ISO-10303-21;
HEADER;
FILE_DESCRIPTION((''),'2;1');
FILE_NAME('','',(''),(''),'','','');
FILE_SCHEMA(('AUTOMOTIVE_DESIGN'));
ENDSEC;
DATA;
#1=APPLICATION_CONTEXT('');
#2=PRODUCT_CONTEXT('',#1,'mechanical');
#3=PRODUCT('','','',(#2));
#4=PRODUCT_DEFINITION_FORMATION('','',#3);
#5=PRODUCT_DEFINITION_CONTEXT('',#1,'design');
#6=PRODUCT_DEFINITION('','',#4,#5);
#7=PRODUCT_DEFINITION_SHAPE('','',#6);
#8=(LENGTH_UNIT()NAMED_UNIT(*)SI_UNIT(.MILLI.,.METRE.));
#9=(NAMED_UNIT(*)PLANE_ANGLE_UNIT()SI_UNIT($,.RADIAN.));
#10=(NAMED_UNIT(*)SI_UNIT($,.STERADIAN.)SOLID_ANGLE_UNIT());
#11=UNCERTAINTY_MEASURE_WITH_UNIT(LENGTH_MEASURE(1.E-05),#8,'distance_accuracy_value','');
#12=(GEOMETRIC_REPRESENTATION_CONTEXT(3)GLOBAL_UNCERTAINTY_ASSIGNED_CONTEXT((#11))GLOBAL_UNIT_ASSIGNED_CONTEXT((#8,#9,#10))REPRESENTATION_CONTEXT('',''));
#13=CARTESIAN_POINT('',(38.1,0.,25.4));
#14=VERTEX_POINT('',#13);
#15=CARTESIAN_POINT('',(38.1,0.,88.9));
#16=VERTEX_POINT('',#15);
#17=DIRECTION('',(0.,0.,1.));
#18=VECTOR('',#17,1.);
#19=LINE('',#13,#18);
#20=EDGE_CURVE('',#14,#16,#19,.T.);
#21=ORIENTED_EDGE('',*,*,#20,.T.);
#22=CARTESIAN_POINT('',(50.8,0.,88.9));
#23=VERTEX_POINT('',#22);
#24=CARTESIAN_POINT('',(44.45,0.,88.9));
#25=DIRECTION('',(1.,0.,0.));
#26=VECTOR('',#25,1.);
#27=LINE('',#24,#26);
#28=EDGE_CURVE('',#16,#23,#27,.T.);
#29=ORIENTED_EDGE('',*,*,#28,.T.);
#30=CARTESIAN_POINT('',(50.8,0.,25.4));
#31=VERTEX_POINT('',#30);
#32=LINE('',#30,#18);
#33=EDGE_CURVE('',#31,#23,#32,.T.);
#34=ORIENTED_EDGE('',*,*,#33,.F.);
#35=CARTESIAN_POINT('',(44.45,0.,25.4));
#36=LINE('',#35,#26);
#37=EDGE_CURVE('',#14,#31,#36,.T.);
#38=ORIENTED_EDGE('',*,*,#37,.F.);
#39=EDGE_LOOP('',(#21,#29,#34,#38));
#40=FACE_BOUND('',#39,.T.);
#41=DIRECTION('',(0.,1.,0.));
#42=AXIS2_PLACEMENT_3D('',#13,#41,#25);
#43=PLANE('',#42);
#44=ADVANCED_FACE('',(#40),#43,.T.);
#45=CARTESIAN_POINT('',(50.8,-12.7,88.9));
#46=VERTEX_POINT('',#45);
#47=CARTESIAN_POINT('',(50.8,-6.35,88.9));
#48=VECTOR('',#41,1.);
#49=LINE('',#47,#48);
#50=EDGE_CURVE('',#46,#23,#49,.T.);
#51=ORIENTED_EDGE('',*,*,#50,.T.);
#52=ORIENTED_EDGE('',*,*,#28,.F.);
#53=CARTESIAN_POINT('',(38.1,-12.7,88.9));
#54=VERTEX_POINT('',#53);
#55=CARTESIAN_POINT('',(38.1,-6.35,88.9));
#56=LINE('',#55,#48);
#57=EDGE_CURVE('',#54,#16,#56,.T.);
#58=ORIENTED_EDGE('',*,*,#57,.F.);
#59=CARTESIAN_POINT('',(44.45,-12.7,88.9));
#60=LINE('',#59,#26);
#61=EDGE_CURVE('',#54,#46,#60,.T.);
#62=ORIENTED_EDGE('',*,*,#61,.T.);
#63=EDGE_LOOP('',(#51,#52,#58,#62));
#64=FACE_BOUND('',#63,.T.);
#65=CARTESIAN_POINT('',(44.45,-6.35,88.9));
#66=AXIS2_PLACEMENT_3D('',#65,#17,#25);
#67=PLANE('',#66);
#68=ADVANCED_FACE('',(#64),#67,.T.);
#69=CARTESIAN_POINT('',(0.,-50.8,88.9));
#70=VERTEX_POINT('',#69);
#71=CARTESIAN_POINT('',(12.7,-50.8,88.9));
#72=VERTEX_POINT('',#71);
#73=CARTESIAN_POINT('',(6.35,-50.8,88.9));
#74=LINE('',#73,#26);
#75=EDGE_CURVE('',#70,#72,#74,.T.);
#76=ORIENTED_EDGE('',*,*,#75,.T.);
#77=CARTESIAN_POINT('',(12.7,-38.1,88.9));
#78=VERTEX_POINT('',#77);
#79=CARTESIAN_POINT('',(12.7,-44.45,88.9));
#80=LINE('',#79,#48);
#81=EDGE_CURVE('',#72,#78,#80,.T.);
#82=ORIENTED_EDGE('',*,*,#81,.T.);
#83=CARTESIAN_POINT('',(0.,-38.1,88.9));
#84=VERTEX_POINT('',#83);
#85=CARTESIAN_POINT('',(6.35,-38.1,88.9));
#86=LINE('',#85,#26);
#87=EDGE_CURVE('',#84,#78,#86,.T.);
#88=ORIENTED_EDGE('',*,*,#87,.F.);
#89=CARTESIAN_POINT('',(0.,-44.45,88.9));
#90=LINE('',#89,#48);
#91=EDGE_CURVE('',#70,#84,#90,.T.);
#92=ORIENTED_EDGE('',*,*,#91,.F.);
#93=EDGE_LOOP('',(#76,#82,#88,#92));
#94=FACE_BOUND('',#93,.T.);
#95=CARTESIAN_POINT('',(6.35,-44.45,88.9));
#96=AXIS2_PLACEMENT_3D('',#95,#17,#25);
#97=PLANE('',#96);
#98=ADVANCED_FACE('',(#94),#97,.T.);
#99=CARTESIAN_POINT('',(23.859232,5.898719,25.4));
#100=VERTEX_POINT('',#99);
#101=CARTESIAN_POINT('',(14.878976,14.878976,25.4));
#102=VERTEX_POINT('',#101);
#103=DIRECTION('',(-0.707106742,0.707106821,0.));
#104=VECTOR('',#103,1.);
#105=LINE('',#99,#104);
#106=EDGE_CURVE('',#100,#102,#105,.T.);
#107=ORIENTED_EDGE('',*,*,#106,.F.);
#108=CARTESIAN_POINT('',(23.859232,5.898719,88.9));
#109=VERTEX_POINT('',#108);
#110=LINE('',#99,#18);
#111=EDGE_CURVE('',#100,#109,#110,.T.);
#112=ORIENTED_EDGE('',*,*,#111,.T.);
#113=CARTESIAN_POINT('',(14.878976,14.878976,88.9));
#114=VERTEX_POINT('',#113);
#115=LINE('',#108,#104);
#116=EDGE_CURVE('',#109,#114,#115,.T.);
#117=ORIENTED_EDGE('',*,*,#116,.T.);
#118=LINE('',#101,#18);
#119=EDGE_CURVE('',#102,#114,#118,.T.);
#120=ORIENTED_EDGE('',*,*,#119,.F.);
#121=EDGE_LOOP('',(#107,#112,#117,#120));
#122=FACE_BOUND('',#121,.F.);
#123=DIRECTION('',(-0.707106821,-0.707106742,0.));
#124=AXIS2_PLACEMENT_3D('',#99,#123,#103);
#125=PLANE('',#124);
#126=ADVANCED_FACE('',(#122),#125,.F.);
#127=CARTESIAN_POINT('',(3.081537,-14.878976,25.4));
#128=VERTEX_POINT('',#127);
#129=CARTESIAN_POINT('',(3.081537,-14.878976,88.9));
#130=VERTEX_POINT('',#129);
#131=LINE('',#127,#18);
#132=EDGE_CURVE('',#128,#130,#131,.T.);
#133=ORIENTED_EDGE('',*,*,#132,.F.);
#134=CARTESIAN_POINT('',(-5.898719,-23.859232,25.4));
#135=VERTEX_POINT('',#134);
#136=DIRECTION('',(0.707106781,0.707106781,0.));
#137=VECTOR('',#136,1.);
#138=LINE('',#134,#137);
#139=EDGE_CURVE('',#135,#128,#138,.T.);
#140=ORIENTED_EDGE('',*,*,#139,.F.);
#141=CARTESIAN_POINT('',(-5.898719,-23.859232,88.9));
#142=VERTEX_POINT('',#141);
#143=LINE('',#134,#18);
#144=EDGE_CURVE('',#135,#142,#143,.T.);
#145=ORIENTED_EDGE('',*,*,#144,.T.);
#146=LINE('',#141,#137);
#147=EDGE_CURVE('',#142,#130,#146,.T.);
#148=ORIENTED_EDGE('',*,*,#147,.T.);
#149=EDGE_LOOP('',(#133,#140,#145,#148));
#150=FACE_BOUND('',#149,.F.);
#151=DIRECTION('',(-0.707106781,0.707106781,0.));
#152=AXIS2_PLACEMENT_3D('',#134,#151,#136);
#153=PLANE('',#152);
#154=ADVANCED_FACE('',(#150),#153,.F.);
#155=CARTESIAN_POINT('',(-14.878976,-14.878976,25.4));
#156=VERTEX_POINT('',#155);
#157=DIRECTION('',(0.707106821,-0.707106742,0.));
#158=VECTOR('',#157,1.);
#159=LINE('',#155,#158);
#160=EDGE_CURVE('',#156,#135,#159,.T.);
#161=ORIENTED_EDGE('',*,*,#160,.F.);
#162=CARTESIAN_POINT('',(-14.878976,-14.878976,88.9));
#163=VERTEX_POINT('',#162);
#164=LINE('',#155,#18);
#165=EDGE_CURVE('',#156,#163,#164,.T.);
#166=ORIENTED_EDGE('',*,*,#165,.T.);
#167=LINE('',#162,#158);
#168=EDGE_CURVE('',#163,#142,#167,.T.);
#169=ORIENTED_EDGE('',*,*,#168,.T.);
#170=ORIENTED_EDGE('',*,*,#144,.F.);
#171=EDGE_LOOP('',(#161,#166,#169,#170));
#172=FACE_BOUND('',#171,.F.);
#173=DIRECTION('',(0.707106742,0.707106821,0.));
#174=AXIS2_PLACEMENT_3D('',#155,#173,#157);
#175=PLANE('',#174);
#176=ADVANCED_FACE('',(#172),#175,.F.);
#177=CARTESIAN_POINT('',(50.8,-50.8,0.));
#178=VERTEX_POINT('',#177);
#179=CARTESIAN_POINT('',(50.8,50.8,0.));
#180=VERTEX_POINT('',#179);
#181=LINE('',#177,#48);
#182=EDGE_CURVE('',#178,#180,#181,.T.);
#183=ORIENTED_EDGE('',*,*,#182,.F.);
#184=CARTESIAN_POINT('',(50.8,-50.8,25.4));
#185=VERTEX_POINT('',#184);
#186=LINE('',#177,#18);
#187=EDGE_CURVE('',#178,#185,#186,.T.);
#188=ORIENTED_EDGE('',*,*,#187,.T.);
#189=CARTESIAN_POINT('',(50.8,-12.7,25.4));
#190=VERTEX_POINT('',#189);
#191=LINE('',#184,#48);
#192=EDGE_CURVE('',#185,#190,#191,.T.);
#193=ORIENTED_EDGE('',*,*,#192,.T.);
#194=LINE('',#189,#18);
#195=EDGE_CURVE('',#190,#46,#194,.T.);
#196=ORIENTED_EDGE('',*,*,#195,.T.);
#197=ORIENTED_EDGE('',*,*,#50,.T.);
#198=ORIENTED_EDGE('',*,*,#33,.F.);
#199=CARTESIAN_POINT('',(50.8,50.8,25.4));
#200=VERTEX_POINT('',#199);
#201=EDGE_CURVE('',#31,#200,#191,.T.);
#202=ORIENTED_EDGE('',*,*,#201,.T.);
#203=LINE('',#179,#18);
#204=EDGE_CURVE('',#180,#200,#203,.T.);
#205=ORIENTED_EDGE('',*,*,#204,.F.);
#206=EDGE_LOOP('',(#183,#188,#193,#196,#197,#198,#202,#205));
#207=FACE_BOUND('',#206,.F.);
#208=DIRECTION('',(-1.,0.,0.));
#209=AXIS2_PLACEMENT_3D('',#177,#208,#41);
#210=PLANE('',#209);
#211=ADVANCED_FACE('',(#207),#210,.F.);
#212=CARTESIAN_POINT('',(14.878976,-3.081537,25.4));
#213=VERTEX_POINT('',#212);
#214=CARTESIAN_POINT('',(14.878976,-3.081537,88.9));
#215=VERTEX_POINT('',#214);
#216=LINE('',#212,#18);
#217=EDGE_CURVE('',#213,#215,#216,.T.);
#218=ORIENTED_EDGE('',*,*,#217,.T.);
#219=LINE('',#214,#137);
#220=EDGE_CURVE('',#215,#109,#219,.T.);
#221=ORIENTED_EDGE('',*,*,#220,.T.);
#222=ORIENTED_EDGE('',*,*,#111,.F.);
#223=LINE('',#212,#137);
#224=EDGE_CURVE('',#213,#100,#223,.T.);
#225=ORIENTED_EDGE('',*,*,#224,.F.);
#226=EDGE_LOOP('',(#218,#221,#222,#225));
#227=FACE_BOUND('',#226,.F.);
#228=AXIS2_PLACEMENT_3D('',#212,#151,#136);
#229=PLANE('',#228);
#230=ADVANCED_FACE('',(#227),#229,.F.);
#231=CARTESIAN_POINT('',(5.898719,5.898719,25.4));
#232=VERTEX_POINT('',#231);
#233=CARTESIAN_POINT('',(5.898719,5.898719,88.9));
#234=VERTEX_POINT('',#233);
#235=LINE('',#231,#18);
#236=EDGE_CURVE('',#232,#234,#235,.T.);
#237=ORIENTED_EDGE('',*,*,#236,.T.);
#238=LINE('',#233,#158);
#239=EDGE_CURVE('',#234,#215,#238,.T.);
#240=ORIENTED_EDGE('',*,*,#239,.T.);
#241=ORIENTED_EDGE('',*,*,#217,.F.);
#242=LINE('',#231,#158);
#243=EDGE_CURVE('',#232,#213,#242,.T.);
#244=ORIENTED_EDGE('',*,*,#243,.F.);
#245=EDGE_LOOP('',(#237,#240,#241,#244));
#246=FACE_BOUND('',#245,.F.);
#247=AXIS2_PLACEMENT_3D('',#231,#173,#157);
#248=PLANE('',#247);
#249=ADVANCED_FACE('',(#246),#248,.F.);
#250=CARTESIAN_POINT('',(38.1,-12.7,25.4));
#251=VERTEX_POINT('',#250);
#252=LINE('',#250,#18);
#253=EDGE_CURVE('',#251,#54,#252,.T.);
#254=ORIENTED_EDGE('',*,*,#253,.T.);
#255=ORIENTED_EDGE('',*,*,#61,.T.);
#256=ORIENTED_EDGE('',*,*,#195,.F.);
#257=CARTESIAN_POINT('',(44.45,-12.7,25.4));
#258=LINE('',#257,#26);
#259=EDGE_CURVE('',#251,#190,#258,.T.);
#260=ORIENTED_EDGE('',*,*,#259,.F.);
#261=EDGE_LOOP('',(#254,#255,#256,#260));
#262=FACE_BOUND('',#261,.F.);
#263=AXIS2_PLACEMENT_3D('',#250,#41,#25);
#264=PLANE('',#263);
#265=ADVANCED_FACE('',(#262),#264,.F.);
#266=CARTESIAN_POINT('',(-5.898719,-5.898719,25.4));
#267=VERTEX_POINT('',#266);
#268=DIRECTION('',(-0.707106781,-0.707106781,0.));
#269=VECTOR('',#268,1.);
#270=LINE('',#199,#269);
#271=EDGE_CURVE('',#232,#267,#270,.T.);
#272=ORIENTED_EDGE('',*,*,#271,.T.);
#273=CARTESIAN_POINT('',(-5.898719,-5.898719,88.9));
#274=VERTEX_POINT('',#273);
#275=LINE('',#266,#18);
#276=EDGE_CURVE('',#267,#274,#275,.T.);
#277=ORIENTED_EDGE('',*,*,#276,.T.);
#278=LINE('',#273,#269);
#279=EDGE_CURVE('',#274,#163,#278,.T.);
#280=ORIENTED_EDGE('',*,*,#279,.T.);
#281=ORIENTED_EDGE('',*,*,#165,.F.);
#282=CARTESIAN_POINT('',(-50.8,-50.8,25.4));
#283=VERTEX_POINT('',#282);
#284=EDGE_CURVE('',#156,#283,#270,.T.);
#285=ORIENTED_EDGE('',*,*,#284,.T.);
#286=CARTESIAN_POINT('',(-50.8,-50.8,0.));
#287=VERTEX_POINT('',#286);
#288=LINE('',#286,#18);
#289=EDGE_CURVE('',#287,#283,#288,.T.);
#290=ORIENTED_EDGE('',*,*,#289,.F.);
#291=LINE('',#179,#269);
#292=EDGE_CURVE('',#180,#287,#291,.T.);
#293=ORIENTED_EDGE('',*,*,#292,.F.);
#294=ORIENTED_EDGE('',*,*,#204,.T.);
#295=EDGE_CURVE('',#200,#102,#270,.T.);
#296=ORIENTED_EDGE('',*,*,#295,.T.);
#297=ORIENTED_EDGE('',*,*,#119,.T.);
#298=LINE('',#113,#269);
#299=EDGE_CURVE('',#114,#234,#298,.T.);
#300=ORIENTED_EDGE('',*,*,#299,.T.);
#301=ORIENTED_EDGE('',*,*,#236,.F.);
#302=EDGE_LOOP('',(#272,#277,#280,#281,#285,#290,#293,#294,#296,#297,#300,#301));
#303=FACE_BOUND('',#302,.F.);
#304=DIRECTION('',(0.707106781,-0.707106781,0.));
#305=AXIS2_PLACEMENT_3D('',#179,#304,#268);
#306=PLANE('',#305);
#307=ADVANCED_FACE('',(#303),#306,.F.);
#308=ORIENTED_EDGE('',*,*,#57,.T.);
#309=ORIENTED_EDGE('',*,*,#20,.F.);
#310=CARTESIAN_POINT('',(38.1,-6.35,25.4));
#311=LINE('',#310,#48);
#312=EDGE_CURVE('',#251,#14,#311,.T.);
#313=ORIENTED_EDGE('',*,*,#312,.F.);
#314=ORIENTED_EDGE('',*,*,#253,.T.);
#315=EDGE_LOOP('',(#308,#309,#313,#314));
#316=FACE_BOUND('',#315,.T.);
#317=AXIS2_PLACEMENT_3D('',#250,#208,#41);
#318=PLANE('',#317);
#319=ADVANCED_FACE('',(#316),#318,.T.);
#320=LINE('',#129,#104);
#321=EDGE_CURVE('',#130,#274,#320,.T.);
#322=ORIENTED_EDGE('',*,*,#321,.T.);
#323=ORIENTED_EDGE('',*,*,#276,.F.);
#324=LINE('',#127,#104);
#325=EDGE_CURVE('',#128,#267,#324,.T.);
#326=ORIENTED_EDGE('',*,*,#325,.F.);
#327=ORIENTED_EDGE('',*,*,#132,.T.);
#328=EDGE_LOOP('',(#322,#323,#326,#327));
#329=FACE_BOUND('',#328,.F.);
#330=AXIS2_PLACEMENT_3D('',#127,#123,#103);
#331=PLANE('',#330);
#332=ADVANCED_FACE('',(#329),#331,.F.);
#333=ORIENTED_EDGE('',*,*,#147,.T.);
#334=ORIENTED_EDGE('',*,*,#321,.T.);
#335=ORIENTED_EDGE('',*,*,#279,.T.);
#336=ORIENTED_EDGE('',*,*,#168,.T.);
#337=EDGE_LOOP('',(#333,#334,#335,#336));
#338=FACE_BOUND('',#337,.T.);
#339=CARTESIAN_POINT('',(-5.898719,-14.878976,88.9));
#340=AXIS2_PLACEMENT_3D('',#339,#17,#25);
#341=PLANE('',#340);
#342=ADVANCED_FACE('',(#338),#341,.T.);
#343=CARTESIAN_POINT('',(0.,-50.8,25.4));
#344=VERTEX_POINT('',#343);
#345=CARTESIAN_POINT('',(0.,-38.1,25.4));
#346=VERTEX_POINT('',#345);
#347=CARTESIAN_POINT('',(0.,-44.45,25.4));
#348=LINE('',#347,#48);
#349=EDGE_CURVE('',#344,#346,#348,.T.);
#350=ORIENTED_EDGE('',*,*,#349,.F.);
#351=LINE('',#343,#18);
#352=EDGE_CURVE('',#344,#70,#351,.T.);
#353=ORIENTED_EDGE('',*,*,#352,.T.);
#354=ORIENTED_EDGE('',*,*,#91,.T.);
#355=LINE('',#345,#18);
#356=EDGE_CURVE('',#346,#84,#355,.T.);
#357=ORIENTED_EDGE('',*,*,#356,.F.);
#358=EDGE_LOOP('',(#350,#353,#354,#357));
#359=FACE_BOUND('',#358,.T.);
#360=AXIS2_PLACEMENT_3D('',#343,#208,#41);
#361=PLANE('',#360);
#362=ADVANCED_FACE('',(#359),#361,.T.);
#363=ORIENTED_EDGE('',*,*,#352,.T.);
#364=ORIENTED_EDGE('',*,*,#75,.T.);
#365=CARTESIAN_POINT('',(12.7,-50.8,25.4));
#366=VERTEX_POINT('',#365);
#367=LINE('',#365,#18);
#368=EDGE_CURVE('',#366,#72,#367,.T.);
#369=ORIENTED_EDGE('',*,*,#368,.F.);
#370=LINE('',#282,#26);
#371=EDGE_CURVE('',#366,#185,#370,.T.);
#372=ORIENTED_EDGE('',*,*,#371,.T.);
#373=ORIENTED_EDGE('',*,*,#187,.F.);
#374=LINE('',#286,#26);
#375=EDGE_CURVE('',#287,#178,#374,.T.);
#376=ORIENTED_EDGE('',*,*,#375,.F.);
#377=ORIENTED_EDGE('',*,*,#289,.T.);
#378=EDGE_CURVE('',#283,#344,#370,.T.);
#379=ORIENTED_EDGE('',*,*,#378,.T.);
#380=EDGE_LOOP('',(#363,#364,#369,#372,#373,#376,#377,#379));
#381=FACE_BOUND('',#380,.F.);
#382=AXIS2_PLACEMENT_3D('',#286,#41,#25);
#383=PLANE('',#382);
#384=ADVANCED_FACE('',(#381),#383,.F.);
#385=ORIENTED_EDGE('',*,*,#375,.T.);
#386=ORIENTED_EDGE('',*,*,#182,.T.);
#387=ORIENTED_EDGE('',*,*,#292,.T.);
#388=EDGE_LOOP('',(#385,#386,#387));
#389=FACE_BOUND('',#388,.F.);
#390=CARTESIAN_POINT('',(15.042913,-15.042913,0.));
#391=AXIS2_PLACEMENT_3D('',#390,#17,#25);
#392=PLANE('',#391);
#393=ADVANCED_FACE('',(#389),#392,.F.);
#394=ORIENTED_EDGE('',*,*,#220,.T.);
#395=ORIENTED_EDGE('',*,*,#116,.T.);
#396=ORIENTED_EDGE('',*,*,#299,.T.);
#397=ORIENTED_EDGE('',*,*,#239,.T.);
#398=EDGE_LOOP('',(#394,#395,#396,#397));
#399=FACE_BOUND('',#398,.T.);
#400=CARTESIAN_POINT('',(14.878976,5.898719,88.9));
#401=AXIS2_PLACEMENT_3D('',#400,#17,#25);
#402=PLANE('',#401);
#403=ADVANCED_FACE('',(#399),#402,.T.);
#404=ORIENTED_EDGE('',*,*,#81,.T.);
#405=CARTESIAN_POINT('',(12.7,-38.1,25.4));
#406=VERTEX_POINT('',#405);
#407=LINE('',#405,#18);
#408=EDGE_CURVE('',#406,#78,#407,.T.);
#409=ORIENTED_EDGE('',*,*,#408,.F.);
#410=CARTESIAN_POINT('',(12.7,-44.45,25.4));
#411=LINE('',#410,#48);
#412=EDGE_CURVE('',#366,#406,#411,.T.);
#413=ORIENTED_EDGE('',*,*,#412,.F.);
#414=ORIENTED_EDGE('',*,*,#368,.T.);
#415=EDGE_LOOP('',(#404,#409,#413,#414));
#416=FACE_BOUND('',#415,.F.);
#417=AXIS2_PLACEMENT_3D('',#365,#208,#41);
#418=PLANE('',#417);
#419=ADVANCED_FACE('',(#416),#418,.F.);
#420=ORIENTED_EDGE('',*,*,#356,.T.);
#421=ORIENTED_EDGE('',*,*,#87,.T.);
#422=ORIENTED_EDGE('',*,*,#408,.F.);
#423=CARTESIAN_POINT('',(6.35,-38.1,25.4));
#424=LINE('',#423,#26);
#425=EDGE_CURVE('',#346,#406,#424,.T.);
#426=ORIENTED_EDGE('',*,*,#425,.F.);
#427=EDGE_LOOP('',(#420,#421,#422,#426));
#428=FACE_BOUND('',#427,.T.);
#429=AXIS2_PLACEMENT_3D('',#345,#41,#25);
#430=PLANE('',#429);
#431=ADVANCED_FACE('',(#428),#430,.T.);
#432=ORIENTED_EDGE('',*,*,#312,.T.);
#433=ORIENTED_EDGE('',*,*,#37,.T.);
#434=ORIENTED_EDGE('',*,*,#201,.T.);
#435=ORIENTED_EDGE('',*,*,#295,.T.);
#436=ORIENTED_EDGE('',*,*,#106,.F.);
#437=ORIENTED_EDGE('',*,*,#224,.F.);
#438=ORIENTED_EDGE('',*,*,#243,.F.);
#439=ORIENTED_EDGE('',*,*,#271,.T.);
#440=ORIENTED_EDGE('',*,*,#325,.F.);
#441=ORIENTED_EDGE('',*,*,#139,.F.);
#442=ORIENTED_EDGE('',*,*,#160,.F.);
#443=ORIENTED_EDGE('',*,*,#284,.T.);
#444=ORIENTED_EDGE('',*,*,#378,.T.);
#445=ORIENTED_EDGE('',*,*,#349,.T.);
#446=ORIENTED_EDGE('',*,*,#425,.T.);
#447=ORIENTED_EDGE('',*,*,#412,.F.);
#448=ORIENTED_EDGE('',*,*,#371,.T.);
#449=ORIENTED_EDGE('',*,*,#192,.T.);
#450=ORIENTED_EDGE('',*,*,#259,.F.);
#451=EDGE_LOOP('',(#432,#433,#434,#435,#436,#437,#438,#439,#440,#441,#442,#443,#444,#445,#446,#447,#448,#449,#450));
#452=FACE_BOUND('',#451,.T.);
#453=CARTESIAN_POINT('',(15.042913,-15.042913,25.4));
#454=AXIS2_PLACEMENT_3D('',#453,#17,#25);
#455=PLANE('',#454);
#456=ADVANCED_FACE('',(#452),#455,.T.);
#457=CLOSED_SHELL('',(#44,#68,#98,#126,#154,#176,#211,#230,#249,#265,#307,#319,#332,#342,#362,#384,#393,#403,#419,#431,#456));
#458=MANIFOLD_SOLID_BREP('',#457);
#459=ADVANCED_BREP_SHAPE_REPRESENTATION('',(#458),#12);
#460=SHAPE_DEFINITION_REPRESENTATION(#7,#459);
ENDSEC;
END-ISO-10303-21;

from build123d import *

# Parameters (mm, degrees)
F0_W     = 12.7
F0_H     = 12.7
F1_DEPTH = 25.4
F2_W     = 12.7
F2_H     = 12.7
F3_DEPTH = 63.5


with BuildPart() as f1:
    # F0 (on Top) → F1 (new body)
    with BuildSketch(Plane.XY):
        Polygon((12.7, -50.8), (50.8, -50.8), (50.8, -12.7), (38.1, -12.7), (38.1, 0), (50.8, 0), (50.8, 50.8), (14.878976, 14.878976), (23.859232, 5.898719), (14.878976, -3.081537), (5.898719, 5.898719), (-5.898719, -5.898719), (3.081537, -14.878976), (-5.898719, -23.859232), (-14.878976, -14.878976), (-50.8, -50.8), (0, -50.8), (0, -38.1), (12.7, -38.1), align=None)
        with Locations((6.35, -44.45)):
            Rectangle(F0_W, F0_H)
        with Locations((44.45, -6.35)):
            Rectangle(F0_W, F0_H)
        Polygon((-5.898719, -5.898719), (-14.878976, -14.878976), (-5.898719, -23.859232), (3.081537, -14.878976), align=None)
        Polygon((23.859232, 5.898719), (14.878976, 14.878976), (5.898719, 5.898719), (14.878976, -3.081537), align=None)
    extrude(amount=F1_DEPTH)

    # F2 (on face) → F3 (join)
    with BuildSketch(Plane.XY.offset(25.4)):
        with Locations((44.45, -6.35)):
            Rectangle(F2_W, F2_H)
        Polygon((14.878976, 14.878976), (5.898719, 5.898719), (14.878976, -3.081537), (23.859232, 5.898719), align=None)
        Polygon((-5.898719, -5.898719), (-14.878976, -14.878976), (-5.898719, -23.859232), (3.081537, -14.878976), align=None)
        with Locations((6.35, -44.45)):
            Rectangle(F2_W, F2_H)
    extrude(amount=F3_DEPTH)


solid = f1.part
